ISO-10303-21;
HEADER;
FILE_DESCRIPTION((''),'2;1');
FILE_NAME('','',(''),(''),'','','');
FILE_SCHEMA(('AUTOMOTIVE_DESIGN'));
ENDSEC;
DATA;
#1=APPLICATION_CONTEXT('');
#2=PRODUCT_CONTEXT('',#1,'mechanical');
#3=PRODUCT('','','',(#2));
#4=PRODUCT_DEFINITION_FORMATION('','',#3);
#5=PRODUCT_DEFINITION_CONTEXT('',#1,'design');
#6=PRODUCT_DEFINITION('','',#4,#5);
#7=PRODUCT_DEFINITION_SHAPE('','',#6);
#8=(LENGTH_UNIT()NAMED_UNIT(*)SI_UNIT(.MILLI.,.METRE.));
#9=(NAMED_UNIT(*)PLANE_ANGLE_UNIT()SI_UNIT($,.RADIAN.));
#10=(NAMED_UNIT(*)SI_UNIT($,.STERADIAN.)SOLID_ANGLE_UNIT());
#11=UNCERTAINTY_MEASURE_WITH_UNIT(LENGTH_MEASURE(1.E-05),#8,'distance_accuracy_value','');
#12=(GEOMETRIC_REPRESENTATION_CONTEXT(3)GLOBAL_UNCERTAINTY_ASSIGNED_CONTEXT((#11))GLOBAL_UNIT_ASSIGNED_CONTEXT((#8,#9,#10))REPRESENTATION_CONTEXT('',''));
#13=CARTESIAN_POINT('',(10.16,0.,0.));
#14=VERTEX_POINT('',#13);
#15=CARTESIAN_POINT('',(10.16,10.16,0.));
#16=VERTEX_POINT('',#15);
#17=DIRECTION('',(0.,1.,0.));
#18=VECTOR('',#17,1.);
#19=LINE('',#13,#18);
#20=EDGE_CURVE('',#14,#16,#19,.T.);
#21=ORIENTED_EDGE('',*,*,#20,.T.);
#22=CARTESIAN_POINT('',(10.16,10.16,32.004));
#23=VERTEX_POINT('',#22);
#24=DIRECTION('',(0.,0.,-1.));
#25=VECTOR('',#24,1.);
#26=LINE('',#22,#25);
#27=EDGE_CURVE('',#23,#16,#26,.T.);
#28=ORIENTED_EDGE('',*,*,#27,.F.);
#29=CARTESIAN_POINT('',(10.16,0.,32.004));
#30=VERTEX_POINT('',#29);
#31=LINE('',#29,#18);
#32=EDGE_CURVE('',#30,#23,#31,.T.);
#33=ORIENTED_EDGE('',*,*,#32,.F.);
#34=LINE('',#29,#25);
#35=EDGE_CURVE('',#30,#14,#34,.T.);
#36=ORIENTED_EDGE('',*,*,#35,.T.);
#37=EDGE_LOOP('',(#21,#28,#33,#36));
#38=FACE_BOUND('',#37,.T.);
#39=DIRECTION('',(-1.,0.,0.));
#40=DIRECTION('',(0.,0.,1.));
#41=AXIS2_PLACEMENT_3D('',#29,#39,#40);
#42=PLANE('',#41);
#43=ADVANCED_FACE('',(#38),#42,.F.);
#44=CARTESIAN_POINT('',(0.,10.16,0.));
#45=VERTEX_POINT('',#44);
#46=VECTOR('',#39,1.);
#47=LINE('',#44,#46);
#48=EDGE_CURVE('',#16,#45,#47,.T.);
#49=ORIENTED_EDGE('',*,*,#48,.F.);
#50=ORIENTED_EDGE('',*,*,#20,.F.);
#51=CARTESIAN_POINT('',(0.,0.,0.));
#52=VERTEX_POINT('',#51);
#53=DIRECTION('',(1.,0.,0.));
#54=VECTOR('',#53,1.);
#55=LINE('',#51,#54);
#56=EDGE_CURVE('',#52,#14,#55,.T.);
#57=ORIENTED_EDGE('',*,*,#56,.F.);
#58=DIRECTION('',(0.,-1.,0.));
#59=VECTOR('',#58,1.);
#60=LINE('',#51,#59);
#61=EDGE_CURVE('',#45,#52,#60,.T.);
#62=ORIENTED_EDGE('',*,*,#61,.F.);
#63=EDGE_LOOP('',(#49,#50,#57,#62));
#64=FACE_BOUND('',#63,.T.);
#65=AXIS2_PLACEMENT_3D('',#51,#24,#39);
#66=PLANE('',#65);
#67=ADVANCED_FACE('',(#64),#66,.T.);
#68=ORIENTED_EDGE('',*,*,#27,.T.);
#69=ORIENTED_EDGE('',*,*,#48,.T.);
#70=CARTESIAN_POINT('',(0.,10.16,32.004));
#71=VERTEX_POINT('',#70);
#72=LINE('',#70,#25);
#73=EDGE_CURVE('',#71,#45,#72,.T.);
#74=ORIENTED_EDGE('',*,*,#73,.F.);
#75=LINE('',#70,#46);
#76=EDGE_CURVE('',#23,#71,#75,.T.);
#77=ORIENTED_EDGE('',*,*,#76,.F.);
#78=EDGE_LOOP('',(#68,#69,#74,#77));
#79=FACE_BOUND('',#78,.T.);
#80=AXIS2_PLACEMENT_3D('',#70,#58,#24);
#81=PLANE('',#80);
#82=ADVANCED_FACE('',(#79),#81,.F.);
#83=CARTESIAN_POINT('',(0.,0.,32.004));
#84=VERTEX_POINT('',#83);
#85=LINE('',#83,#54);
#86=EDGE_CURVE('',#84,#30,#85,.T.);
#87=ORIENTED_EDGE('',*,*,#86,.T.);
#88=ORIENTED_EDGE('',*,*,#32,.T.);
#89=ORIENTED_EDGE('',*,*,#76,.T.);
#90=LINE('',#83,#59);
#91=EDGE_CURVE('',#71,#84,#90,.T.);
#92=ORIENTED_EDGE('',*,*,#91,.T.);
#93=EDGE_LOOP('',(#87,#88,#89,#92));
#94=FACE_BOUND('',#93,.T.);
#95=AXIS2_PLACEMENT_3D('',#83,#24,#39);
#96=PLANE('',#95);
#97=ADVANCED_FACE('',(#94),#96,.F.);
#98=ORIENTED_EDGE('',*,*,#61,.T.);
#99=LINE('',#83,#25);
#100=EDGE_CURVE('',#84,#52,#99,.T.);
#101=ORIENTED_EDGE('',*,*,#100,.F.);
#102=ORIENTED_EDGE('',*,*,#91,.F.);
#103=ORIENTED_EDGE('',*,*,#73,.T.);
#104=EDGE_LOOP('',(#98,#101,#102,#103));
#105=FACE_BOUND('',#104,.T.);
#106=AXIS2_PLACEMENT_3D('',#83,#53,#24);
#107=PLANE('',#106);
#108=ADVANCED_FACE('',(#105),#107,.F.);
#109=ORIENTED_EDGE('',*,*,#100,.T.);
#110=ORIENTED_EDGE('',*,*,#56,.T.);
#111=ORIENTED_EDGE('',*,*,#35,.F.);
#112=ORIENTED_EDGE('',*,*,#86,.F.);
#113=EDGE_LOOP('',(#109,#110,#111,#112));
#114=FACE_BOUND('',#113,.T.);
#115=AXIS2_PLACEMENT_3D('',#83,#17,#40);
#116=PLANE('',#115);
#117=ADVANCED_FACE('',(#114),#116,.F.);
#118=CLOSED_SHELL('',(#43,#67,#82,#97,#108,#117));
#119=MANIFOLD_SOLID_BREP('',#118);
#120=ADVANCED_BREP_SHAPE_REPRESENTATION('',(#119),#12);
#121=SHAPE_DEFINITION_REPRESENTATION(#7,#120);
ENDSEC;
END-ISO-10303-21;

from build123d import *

# Parameters (mm, degrees)
SKETCH_1_W      = 10.16
SKETCH_1_H      = 10.16
EXTRUDE_1_DEPTH = 32.004


with BuildPart() as part:
    # 草图1 → 凸台-拉伸1 (new body)
    with BuildSketch(Plane.XY):
        with Locations((5.08, 5.08)):
            Rectangle(SKETCH_1_W, SKETCH_1_H)
    extrude(amount=EXTRUDE_1_DEPTH)


solid = part.part
